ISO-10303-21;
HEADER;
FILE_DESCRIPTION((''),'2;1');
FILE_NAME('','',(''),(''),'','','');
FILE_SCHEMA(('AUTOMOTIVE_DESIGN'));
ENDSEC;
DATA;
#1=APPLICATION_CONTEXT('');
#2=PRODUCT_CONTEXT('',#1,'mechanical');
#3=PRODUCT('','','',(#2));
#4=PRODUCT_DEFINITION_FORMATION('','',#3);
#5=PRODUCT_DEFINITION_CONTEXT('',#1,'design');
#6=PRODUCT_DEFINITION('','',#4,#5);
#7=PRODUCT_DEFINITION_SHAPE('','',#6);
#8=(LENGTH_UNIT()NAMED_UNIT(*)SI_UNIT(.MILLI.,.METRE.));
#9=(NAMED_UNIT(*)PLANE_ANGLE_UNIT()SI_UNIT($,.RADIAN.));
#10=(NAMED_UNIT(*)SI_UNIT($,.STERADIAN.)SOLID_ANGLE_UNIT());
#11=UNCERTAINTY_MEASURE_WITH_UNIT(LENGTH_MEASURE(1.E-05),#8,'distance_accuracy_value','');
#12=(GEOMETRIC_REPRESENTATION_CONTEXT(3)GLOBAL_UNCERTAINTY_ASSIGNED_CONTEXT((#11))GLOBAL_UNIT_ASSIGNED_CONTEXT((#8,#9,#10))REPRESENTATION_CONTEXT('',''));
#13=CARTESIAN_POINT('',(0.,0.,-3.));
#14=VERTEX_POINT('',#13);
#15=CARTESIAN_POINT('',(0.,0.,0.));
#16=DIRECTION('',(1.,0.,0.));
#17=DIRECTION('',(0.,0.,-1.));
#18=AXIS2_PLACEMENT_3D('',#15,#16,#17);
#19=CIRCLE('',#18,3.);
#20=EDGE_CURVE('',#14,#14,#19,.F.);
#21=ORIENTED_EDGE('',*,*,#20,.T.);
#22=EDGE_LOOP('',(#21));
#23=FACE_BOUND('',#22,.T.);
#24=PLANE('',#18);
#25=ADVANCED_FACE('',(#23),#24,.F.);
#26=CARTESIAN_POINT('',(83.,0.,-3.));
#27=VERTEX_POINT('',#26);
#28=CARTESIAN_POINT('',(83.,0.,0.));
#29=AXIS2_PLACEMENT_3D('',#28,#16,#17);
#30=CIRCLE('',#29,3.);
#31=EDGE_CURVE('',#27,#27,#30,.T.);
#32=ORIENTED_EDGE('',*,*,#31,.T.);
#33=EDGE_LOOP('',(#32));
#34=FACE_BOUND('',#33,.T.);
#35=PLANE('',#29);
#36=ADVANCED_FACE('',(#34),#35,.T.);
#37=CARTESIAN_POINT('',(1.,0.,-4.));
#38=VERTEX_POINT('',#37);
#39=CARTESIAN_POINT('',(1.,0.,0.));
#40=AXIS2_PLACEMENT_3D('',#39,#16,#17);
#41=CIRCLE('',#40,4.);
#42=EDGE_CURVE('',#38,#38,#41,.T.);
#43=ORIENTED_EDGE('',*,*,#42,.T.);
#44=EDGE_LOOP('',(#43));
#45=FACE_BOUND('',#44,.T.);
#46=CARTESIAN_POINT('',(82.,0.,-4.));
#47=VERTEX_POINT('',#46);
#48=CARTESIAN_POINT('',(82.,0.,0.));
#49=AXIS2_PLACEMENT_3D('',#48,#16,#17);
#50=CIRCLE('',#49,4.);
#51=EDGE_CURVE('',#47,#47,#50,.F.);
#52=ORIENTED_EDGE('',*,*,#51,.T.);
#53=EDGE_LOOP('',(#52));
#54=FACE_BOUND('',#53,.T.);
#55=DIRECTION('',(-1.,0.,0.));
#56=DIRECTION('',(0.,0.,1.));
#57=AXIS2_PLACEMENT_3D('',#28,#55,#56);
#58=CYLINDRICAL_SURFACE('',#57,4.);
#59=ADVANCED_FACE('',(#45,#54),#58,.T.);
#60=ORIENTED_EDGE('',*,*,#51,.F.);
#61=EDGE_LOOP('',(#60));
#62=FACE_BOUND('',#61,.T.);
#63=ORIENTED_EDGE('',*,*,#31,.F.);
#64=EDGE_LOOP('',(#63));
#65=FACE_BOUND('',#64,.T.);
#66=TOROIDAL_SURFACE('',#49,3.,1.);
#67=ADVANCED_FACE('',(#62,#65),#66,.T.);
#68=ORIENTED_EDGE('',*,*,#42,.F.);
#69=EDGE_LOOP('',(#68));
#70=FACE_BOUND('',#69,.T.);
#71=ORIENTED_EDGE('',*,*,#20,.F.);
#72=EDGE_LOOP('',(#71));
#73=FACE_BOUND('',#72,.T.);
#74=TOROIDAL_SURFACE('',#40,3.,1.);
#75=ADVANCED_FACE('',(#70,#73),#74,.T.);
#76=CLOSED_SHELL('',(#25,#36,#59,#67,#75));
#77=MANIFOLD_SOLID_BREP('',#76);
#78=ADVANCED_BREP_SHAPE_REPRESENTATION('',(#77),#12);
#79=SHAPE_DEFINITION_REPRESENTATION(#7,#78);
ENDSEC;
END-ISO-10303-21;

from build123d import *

# Parameters (mm, degrees)
SKETCH1_R           = 4
BOSS_EXTRUDE1_DEPTH = 83
FILLET1_R           = 1


with BuildPart() as part:
    # Sketch1 → Boss-Extrude1 (new body)
    with BuildSketch(Plane(origin=(0, 0, 0), x_dir=(0, 0, -1), z_dir=(1, 0, 0))):
        Circle(SKETCH1_R)
    extrude(amount=BOSS_EXTRUDE1_DEPTH)

    # Fillet1
    fillet1_edges = [part.edges().sort_by_distance(p)[0] for p in [
        (0, 0, 4),
        (83, 0, 4),
    ]]
    fillet(fillet1_edges, radius=FILLET1_R)


solid = part.part
